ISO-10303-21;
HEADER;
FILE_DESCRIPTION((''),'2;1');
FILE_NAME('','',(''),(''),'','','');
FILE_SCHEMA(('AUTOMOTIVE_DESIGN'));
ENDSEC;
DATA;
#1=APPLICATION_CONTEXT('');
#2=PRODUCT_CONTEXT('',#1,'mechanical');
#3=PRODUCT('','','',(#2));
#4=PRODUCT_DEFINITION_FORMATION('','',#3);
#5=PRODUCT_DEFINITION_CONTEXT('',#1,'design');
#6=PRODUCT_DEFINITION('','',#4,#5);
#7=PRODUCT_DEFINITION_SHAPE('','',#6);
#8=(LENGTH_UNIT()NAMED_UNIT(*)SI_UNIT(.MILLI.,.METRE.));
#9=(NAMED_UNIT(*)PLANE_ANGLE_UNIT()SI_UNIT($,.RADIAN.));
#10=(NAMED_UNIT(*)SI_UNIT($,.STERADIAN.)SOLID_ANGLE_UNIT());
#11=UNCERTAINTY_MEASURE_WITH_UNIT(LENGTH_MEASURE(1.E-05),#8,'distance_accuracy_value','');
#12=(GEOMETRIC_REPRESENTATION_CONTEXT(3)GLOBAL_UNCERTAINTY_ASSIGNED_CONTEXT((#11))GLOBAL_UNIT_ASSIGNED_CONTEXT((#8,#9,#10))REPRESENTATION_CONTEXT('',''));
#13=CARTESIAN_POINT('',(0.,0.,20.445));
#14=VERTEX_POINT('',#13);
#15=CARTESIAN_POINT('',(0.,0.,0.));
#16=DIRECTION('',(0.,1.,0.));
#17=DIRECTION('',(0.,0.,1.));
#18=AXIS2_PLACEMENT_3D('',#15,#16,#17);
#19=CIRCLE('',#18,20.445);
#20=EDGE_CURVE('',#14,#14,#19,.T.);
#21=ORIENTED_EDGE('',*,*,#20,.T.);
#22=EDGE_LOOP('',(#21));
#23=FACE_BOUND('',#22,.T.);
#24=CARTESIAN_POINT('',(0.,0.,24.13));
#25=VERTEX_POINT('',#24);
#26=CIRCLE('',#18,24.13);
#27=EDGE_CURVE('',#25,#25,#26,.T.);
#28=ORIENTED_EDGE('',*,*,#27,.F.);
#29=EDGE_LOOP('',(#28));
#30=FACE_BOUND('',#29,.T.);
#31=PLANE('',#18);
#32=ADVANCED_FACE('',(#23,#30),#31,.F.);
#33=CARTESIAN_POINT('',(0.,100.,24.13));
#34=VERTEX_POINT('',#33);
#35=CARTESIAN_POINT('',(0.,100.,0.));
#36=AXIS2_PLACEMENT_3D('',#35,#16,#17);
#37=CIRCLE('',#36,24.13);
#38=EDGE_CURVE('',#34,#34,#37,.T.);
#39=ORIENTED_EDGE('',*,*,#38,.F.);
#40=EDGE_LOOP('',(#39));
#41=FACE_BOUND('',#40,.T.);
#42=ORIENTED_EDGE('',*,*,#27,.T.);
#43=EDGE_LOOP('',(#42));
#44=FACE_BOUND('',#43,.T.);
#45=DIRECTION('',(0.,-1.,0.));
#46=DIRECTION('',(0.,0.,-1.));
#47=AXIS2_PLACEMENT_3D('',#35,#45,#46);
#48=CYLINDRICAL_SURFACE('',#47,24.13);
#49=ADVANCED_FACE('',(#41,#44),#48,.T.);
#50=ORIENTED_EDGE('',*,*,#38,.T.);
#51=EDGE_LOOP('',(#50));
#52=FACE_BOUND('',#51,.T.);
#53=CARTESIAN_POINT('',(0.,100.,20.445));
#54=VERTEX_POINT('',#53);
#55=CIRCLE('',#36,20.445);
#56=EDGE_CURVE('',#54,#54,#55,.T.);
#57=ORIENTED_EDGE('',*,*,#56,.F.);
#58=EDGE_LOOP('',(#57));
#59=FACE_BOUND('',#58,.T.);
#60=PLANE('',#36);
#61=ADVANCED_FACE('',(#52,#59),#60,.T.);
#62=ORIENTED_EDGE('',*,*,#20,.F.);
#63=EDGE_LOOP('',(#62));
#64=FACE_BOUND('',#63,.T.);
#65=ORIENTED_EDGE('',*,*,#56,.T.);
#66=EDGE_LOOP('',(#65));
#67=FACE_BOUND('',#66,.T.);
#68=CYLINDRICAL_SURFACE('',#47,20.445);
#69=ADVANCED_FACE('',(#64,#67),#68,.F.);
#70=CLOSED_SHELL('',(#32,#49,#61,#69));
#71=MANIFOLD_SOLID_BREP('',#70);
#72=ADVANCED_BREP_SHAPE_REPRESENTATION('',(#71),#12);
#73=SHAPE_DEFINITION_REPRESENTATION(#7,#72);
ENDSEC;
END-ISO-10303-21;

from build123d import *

# Parameters (mm, degrees)
SKETCH1_R           = 24.13
SKETCH1_R_2         = 20.445
BOSS_EXTRUDE1_DEPTH = 100


with BuildPart() as part:
    # Sketch1 → Boss-Extrude1 (new body)
    with BuildSketch(Plane(origin=(0, 0, 0), x_dir=(1, 0, 0), z_dir=(0, 1, 0))):
        with Locations(Location((0, 0, 0), (0, 0, 270))):
            Circle(SKETCH1_R)
        with Locations(Location((0, 0, 0), (0, 0, 270))):
            Circle(SKETCH1_R_2, mode=Mode.SUBTRACT)
    extrude(amount=BOSS_EXTRUDE1_DEPTH)


solid = part.part
